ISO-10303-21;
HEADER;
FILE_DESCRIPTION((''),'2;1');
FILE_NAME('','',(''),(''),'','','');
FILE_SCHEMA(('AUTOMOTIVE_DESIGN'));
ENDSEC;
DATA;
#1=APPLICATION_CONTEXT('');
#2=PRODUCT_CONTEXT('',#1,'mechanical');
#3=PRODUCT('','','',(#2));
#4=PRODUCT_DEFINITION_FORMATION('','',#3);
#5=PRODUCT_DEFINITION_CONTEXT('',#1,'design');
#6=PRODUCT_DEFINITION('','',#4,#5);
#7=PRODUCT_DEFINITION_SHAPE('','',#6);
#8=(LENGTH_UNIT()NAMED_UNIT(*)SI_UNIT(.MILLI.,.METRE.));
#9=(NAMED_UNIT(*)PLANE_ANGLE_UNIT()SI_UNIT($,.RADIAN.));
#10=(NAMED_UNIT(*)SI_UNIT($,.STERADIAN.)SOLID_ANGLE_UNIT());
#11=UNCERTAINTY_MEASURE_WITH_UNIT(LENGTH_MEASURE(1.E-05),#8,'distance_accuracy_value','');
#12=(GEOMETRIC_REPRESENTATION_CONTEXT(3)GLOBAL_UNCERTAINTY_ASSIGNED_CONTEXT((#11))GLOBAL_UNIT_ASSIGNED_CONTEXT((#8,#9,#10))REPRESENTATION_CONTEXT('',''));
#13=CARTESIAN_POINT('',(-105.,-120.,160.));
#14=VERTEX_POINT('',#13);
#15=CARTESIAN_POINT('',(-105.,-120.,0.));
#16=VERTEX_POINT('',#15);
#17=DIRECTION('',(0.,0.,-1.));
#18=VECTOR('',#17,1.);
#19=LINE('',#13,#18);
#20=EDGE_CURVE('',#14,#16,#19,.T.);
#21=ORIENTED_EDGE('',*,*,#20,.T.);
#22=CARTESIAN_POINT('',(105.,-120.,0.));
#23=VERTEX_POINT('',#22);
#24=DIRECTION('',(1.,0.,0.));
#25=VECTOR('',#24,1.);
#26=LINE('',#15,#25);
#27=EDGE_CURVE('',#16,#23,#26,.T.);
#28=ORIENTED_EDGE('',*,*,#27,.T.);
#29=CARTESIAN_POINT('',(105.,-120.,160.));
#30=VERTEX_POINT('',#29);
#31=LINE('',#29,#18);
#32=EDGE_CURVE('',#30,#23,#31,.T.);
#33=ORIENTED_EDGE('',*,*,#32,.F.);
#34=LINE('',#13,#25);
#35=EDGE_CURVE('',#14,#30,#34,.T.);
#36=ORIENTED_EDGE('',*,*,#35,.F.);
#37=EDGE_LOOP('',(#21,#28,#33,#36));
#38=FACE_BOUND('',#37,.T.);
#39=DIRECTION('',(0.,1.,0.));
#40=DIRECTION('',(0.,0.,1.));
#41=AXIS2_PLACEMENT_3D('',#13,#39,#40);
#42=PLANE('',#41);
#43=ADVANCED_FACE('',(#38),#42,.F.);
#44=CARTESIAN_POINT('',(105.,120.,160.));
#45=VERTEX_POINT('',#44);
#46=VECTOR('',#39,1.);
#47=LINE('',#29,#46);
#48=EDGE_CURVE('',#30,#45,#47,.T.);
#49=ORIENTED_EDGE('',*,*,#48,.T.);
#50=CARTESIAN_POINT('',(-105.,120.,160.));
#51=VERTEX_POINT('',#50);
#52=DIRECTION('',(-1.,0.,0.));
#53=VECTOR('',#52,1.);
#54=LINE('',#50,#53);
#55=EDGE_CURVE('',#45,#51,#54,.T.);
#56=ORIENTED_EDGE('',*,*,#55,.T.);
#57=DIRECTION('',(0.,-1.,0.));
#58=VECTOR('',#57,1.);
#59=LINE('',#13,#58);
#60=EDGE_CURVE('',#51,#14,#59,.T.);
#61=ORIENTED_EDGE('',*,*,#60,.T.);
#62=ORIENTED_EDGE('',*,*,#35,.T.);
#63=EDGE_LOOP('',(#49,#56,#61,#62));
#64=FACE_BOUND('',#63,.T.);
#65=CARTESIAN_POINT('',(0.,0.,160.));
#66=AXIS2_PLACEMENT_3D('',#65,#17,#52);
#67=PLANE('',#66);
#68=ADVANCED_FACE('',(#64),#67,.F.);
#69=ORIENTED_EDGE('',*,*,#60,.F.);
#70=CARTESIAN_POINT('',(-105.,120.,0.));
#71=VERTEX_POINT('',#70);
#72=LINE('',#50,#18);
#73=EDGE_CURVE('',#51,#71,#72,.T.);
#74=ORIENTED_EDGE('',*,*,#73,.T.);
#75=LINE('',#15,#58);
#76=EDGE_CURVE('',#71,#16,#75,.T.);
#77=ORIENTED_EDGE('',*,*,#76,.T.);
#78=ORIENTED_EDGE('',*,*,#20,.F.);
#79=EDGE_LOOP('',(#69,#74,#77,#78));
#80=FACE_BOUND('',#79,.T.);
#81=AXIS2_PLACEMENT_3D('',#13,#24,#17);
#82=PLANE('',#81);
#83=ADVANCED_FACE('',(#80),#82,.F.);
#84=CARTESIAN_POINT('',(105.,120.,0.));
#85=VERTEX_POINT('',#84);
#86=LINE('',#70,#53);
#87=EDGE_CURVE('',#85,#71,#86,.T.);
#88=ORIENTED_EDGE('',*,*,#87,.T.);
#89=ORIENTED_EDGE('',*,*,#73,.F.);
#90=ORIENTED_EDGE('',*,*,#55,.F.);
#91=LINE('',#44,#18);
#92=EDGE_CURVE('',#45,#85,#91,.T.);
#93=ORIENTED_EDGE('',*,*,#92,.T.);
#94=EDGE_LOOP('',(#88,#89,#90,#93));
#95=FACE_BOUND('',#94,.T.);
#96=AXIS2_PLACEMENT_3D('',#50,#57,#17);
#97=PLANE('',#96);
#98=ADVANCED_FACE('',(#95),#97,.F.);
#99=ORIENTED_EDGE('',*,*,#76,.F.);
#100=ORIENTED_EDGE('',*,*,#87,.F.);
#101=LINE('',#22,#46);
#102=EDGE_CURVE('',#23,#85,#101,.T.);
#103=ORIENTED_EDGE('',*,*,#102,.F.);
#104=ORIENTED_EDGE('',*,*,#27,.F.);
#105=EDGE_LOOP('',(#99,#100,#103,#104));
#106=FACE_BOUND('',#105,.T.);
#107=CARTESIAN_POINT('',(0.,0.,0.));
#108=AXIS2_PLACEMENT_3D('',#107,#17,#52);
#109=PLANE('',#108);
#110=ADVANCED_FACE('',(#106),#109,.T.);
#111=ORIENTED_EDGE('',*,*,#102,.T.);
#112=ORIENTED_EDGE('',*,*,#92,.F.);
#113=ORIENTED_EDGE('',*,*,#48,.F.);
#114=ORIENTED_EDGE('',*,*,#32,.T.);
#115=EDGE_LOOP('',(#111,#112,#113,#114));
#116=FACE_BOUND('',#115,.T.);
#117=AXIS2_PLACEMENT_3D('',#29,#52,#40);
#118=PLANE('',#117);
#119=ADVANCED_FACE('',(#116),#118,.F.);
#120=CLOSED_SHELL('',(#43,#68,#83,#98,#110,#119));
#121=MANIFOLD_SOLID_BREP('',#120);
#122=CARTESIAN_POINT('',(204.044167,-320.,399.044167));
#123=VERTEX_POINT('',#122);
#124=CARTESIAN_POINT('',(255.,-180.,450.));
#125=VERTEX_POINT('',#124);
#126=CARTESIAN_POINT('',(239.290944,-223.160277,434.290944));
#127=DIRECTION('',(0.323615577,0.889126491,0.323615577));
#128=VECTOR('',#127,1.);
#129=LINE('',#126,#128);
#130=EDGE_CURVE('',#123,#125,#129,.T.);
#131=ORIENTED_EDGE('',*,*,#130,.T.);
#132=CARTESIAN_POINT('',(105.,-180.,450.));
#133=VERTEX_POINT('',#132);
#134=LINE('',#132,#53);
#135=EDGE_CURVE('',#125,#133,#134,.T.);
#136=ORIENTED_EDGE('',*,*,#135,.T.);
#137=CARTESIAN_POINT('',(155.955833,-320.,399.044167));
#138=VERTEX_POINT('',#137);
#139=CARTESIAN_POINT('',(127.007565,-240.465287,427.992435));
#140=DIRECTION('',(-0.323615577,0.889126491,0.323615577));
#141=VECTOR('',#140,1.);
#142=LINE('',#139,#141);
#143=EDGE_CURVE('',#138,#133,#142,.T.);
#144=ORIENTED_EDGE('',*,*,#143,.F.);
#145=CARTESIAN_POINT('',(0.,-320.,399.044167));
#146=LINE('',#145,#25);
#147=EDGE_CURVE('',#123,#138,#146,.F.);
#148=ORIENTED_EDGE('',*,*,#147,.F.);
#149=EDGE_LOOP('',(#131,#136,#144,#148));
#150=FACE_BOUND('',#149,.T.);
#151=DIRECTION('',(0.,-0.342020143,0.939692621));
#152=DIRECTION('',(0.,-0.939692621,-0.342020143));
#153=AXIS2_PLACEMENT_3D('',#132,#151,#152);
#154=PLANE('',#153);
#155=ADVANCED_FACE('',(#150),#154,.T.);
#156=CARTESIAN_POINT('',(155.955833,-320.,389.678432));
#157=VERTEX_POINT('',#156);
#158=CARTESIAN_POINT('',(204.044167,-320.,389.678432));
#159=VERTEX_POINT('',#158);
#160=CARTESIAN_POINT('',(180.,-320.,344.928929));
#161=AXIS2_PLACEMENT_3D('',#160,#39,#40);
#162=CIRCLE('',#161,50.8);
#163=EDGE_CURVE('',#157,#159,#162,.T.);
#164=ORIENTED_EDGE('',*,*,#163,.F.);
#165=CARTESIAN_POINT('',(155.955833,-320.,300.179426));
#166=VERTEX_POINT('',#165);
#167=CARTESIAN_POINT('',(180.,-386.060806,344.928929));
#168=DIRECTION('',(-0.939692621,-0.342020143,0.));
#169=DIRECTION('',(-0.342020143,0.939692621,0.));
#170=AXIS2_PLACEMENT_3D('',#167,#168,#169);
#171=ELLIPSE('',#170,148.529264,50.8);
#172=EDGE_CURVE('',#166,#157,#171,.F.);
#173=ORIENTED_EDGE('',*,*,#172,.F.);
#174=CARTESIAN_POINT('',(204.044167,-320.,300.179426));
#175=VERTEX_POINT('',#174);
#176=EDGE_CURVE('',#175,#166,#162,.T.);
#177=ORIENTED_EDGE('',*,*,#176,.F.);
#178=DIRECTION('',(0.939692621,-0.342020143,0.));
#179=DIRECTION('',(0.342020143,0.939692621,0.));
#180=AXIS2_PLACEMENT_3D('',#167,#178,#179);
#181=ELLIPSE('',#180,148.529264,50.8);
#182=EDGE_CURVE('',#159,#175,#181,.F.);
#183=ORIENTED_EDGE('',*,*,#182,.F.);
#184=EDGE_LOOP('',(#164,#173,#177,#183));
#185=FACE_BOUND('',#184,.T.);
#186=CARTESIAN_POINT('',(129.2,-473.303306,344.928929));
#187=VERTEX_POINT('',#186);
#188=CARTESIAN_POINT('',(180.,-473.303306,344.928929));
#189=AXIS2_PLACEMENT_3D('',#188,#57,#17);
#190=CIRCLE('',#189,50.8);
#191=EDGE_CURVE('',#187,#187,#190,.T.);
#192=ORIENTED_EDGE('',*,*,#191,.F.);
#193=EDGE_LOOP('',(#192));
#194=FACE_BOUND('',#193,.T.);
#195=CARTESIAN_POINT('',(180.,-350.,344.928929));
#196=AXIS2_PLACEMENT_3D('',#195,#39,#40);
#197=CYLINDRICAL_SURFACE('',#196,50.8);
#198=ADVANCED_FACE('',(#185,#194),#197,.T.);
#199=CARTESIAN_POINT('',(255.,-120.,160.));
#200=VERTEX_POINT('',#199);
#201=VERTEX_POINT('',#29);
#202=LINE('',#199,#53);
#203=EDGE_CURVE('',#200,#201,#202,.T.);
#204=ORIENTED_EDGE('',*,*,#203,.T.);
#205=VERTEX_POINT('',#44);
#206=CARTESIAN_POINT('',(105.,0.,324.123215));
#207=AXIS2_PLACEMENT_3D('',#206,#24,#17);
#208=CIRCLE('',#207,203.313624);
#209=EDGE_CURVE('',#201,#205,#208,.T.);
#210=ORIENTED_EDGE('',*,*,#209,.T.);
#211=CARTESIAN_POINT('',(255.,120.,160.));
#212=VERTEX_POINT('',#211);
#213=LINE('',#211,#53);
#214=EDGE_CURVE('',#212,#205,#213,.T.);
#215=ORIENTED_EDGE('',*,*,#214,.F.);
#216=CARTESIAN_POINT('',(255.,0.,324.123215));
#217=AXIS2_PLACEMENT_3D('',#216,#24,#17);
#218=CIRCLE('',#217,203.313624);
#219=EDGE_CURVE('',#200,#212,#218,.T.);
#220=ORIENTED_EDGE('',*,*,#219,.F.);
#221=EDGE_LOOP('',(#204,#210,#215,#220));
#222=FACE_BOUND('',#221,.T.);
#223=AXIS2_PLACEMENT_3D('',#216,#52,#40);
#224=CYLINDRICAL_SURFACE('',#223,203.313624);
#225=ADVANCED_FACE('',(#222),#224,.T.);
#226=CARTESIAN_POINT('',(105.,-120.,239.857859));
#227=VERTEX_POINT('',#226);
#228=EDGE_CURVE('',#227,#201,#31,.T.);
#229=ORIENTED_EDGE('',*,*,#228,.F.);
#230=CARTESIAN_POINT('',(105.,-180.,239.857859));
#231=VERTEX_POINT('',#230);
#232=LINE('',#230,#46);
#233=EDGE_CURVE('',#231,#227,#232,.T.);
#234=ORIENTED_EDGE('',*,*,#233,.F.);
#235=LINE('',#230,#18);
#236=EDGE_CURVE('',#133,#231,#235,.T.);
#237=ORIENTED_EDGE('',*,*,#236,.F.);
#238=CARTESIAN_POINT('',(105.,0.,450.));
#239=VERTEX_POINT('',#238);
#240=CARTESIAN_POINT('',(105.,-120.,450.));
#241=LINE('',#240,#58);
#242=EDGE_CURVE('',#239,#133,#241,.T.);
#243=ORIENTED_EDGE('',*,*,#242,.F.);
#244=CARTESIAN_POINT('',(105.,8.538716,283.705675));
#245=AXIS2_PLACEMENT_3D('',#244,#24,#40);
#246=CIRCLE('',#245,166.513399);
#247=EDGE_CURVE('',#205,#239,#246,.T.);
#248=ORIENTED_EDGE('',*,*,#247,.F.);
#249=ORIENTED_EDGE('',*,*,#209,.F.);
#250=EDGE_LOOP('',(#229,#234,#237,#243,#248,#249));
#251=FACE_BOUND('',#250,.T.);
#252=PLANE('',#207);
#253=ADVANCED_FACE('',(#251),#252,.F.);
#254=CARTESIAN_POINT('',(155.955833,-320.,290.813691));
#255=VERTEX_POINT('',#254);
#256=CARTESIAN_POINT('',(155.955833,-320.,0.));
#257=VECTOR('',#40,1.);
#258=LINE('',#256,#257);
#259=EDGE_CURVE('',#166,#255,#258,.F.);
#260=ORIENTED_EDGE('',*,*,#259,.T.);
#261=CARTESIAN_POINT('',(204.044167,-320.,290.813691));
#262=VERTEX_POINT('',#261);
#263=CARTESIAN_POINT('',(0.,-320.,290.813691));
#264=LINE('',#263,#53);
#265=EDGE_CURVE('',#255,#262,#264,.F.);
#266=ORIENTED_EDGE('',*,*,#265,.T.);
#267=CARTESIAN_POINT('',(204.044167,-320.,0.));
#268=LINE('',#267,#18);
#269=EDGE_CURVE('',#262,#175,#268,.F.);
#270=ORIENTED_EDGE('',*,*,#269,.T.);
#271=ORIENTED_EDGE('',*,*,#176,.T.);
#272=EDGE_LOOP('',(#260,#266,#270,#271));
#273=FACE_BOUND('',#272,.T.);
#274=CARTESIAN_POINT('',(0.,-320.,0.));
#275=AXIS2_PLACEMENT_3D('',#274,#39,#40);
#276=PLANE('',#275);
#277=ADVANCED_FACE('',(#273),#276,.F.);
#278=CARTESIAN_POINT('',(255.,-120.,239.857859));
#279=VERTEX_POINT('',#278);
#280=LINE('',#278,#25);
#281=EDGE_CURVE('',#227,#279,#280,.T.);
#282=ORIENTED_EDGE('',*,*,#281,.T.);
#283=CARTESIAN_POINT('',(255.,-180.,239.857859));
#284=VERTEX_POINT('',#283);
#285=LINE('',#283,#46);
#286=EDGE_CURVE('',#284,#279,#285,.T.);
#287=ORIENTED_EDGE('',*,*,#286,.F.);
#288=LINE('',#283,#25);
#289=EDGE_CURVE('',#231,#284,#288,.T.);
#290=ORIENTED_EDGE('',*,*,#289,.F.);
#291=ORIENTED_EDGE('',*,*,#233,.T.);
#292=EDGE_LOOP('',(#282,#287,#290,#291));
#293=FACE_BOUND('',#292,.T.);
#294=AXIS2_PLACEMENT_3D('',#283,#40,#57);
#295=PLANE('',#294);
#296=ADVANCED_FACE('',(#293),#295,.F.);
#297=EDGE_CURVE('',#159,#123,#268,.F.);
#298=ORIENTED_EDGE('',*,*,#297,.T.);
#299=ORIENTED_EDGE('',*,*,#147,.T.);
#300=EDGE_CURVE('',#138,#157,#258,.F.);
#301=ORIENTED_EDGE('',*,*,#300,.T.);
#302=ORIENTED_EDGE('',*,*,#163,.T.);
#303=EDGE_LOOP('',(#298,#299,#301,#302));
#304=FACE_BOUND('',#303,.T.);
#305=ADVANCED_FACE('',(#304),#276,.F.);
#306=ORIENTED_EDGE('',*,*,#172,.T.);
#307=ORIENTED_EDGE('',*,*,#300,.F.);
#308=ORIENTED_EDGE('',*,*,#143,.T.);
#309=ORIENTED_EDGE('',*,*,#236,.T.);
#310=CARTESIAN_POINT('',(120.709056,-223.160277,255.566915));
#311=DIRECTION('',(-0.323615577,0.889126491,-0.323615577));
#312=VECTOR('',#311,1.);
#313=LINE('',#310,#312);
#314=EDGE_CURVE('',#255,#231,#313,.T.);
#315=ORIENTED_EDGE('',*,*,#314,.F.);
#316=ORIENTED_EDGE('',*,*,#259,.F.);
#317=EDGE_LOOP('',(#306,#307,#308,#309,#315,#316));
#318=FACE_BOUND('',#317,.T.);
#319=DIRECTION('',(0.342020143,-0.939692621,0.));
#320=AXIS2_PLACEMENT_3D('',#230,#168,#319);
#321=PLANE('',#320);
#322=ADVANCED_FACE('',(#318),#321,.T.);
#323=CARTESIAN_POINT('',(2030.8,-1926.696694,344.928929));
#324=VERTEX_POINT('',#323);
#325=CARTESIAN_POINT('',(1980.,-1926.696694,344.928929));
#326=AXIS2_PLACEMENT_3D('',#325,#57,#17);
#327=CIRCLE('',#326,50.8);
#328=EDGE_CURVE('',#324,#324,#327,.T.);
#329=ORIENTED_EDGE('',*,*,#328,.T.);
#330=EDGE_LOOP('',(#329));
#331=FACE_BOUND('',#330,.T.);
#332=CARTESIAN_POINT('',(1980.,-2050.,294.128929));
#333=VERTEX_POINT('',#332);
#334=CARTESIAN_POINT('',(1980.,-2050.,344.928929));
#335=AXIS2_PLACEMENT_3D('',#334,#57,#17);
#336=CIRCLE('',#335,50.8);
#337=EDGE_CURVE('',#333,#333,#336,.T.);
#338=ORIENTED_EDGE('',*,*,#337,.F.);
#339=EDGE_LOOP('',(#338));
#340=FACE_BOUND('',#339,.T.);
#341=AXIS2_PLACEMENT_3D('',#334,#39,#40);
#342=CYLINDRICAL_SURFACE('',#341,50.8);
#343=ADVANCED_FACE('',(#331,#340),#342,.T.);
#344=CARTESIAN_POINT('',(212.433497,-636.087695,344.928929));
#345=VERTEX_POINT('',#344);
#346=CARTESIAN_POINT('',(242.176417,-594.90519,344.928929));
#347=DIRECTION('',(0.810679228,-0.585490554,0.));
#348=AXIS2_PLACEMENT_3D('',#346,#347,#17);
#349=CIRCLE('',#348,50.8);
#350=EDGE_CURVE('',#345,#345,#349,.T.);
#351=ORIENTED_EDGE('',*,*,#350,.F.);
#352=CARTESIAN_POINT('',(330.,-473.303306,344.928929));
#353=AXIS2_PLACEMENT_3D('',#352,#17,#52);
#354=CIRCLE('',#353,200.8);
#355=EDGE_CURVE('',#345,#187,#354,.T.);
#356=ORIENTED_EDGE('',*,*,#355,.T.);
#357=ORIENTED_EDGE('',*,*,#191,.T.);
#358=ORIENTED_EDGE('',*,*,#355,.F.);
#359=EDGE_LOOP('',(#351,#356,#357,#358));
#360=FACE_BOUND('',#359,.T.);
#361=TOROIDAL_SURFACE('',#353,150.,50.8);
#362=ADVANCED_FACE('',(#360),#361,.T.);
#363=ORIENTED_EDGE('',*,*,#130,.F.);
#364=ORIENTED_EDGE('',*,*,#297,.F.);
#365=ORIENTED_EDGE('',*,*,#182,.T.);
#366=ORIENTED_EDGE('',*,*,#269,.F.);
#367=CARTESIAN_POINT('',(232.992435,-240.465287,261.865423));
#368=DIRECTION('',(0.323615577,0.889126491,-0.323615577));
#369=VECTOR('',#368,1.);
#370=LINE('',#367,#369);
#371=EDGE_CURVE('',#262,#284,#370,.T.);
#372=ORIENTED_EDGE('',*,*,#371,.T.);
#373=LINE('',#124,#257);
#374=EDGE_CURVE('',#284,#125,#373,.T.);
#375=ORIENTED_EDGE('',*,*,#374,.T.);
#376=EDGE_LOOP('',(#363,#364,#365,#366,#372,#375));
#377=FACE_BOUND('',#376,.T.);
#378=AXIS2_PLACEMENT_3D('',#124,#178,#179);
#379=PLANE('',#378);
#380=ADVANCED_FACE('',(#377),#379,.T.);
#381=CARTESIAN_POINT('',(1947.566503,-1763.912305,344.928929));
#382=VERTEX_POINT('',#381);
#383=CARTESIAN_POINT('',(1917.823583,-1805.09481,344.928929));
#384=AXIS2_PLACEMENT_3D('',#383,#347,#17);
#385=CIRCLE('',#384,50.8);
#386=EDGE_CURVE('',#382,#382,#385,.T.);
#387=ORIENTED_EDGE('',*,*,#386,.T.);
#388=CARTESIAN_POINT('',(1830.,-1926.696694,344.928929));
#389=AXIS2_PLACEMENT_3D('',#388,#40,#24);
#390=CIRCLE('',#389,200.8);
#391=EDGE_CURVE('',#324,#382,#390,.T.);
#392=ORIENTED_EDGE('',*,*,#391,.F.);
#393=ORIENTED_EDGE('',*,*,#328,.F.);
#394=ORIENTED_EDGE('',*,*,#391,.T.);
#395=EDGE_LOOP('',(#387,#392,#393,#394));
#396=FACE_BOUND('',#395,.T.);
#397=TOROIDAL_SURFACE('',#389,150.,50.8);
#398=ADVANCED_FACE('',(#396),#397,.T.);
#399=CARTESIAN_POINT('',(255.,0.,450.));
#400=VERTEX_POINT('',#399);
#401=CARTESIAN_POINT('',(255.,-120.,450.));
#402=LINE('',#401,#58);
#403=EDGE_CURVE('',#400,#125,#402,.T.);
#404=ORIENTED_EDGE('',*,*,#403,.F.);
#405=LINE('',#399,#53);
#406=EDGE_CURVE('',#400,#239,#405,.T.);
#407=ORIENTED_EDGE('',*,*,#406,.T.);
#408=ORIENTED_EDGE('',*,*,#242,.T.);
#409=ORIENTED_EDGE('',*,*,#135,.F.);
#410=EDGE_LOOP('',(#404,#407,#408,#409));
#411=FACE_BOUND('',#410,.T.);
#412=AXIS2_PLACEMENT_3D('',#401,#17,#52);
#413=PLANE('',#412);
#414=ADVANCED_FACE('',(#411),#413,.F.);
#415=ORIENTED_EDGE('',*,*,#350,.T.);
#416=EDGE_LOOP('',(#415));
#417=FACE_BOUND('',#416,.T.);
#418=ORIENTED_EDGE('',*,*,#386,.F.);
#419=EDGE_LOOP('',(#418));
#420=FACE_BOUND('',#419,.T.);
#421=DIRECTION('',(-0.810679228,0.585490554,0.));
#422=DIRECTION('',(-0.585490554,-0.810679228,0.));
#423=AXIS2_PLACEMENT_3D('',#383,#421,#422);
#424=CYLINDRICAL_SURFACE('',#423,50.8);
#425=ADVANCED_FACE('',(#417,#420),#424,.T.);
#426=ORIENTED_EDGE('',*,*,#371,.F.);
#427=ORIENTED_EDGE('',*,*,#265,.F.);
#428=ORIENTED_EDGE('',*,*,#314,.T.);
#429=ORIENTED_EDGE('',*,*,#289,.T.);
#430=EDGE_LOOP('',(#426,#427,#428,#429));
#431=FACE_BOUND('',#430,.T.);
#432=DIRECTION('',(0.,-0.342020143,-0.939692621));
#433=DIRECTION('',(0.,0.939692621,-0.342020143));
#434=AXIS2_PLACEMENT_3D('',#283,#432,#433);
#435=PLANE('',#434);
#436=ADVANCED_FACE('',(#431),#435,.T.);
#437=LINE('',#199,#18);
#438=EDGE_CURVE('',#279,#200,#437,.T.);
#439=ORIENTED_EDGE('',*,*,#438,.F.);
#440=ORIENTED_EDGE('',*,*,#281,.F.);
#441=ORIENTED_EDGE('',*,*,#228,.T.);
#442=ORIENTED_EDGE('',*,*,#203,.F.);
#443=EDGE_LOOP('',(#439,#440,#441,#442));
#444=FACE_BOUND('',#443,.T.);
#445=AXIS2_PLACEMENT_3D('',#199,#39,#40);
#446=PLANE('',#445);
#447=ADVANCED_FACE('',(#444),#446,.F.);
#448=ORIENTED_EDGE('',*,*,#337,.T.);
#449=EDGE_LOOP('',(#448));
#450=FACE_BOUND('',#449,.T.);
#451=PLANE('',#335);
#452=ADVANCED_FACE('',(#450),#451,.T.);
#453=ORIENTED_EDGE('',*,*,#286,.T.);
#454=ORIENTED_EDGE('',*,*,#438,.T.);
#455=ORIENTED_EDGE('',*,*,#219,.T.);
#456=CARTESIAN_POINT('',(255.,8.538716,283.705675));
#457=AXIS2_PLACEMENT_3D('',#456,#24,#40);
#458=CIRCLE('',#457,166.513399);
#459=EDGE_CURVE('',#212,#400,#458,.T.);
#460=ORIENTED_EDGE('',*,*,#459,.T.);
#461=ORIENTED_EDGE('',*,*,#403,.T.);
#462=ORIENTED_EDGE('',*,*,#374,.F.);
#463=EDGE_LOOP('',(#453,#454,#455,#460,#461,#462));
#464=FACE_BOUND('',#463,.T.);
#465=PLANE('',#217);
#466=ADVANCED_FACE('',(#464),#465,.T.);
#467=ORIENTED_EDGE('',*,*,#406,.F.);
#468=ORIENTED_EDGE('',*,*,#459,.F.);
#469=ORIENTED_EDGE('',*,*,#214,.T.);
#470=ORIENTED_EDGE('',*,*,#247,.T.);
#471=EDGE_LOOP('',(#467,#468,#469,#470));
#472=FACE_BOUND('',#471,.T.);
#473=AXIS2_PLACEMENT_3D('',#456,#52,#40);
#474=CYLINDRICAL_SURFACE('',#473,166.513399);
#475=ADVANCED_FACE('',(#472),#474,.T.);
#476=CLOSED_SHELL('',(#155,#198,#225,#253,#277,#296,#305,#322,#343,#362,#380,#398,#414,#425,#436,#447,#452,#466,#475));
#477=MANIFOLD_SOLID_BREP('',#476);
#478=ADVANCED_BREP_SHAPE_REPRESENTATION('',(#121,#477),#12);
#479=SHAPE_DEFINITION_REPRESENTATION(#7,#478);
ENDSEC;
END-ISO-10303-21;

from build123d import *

# Parameters (mm, degrees)
CROQUIS1_W              = 210
CROQUIS1_H              = 240
SALIENTE_EXTRUIR1_DEPTH = 160
SALIENTE_EXTRUIR2_DEPTH = 150
CROQUIS3_W              = 150
CROQUIS3_H              = 210.142141412
SALIENTE_EXTRUIR3_DEPTH = 60
CROQUIS4_R              = 50.8
SALIENTE_EXTRUIR4_DEPTH = 170
CROQUIS5_W              = 150
CROQUIS5_H              = 210.142141412
SALIENTE_EXTRUIR5_DEPTH = 140
SALIENTE_EXTRUIR5_TAPER = 20
CROQUIS7_R              = 50.8


with BuildPart() as part:
    # Croquis1 → Saliente-Extruir1 (new body)
    with BuildSketch(Plane.XY):
        Rectangle(CROQUIS1_W, CROQUIS1_H)
    extrude(amount=SALIENTE_EXTRUIR1_DEPTH)


with BuildPart() as body_2:
    # Croquis2 → Saliente-Extruir2 (new body)
    with BuildSketch(Plane(origin=(105, 0, 0), x_dir=(0, 0, -1), z_dir=(1, 0, 0))):
        with BuildLine():
            Line((-160, -120), (-450, -120))
            Line((-450, -120), (-450, 0))
            ThreePointArc((-450, 0), (-347.372372038, 162.399899092), (-160, 120))
            ThreePointArc((-160, 120), (-120.80959106, 0), (-160, -120))
        make_face()
    extrude(amount=SALIENTE_EXTRUIR2_DEPTH)

    # Croquis3 → Saliente-Extruir3 (add)
    with BuildSketch(Plane.XZ.offset(120)):
        with Locations((180, 344.928929294)):
            Rectangle(CROQUIS3_W, CROQUIS3_H)
    extrude(amount=SALIENTE_EXTRUIR3_DEPTH)

    # Croquis4 → Saliente-Extruir4 (add)
    with BuildSketch(Plane.XZ.offset(180)):
        with Locations((180, 344.928929294)):
            Circle(CROQUIS4_R)
    extrude(amount=SALIENTE_EXTRUIR4_DEPTH)

    # Croquis5 → Saliente-Extruir5 (add)
    with BuildSketch(Plane.XZ.offset(180)):
        with Locations((180, 344.928929294)):
            Rectangle(CROQUIS5_W, CROQUIS5_H)
    extrude(amount=SALIENTE_EXTRUIR5_DEPTH, taper=SALIENTE_EXTRUIR5_TAPER)

    # Barrer1: sweep along a curve in space
    with BuildLine() as barrer1_path:
        Line((1980, -2050, 344.928929294), (1980, -1926.69669426, 344.928929294))
        ThreePointArc((1980, -1926.69669426, 344.928929294), (1963.554366199, -1858.408838317, 344.928929294), (1917.823583077, -1805.09481, 344.928929294))
        Line((1917.823583077, -1805.09481, 344.928929294), (242.176416923, -594.90519, 344.928929294))
        ThreePointArc((242.176416923, -594.90519, 344.928929294), (196.445633801, -541.591161683, 344.928929294), (180, -473.30330574, 344.928929294))
        Line((180, -473.30330574, 344.928929294), (180, -350, 344.928929294))
    # Croquis7 → Barrer1 (sweep)
    with BuildSketch(Plane.XZ.offset(350)):
        with Locations((180, 344.928929294)):
            Circle(CROQUIS7_R)
    sweep(path=barrer1_path.line)


solid = Compound([part.part, body_2.part])
